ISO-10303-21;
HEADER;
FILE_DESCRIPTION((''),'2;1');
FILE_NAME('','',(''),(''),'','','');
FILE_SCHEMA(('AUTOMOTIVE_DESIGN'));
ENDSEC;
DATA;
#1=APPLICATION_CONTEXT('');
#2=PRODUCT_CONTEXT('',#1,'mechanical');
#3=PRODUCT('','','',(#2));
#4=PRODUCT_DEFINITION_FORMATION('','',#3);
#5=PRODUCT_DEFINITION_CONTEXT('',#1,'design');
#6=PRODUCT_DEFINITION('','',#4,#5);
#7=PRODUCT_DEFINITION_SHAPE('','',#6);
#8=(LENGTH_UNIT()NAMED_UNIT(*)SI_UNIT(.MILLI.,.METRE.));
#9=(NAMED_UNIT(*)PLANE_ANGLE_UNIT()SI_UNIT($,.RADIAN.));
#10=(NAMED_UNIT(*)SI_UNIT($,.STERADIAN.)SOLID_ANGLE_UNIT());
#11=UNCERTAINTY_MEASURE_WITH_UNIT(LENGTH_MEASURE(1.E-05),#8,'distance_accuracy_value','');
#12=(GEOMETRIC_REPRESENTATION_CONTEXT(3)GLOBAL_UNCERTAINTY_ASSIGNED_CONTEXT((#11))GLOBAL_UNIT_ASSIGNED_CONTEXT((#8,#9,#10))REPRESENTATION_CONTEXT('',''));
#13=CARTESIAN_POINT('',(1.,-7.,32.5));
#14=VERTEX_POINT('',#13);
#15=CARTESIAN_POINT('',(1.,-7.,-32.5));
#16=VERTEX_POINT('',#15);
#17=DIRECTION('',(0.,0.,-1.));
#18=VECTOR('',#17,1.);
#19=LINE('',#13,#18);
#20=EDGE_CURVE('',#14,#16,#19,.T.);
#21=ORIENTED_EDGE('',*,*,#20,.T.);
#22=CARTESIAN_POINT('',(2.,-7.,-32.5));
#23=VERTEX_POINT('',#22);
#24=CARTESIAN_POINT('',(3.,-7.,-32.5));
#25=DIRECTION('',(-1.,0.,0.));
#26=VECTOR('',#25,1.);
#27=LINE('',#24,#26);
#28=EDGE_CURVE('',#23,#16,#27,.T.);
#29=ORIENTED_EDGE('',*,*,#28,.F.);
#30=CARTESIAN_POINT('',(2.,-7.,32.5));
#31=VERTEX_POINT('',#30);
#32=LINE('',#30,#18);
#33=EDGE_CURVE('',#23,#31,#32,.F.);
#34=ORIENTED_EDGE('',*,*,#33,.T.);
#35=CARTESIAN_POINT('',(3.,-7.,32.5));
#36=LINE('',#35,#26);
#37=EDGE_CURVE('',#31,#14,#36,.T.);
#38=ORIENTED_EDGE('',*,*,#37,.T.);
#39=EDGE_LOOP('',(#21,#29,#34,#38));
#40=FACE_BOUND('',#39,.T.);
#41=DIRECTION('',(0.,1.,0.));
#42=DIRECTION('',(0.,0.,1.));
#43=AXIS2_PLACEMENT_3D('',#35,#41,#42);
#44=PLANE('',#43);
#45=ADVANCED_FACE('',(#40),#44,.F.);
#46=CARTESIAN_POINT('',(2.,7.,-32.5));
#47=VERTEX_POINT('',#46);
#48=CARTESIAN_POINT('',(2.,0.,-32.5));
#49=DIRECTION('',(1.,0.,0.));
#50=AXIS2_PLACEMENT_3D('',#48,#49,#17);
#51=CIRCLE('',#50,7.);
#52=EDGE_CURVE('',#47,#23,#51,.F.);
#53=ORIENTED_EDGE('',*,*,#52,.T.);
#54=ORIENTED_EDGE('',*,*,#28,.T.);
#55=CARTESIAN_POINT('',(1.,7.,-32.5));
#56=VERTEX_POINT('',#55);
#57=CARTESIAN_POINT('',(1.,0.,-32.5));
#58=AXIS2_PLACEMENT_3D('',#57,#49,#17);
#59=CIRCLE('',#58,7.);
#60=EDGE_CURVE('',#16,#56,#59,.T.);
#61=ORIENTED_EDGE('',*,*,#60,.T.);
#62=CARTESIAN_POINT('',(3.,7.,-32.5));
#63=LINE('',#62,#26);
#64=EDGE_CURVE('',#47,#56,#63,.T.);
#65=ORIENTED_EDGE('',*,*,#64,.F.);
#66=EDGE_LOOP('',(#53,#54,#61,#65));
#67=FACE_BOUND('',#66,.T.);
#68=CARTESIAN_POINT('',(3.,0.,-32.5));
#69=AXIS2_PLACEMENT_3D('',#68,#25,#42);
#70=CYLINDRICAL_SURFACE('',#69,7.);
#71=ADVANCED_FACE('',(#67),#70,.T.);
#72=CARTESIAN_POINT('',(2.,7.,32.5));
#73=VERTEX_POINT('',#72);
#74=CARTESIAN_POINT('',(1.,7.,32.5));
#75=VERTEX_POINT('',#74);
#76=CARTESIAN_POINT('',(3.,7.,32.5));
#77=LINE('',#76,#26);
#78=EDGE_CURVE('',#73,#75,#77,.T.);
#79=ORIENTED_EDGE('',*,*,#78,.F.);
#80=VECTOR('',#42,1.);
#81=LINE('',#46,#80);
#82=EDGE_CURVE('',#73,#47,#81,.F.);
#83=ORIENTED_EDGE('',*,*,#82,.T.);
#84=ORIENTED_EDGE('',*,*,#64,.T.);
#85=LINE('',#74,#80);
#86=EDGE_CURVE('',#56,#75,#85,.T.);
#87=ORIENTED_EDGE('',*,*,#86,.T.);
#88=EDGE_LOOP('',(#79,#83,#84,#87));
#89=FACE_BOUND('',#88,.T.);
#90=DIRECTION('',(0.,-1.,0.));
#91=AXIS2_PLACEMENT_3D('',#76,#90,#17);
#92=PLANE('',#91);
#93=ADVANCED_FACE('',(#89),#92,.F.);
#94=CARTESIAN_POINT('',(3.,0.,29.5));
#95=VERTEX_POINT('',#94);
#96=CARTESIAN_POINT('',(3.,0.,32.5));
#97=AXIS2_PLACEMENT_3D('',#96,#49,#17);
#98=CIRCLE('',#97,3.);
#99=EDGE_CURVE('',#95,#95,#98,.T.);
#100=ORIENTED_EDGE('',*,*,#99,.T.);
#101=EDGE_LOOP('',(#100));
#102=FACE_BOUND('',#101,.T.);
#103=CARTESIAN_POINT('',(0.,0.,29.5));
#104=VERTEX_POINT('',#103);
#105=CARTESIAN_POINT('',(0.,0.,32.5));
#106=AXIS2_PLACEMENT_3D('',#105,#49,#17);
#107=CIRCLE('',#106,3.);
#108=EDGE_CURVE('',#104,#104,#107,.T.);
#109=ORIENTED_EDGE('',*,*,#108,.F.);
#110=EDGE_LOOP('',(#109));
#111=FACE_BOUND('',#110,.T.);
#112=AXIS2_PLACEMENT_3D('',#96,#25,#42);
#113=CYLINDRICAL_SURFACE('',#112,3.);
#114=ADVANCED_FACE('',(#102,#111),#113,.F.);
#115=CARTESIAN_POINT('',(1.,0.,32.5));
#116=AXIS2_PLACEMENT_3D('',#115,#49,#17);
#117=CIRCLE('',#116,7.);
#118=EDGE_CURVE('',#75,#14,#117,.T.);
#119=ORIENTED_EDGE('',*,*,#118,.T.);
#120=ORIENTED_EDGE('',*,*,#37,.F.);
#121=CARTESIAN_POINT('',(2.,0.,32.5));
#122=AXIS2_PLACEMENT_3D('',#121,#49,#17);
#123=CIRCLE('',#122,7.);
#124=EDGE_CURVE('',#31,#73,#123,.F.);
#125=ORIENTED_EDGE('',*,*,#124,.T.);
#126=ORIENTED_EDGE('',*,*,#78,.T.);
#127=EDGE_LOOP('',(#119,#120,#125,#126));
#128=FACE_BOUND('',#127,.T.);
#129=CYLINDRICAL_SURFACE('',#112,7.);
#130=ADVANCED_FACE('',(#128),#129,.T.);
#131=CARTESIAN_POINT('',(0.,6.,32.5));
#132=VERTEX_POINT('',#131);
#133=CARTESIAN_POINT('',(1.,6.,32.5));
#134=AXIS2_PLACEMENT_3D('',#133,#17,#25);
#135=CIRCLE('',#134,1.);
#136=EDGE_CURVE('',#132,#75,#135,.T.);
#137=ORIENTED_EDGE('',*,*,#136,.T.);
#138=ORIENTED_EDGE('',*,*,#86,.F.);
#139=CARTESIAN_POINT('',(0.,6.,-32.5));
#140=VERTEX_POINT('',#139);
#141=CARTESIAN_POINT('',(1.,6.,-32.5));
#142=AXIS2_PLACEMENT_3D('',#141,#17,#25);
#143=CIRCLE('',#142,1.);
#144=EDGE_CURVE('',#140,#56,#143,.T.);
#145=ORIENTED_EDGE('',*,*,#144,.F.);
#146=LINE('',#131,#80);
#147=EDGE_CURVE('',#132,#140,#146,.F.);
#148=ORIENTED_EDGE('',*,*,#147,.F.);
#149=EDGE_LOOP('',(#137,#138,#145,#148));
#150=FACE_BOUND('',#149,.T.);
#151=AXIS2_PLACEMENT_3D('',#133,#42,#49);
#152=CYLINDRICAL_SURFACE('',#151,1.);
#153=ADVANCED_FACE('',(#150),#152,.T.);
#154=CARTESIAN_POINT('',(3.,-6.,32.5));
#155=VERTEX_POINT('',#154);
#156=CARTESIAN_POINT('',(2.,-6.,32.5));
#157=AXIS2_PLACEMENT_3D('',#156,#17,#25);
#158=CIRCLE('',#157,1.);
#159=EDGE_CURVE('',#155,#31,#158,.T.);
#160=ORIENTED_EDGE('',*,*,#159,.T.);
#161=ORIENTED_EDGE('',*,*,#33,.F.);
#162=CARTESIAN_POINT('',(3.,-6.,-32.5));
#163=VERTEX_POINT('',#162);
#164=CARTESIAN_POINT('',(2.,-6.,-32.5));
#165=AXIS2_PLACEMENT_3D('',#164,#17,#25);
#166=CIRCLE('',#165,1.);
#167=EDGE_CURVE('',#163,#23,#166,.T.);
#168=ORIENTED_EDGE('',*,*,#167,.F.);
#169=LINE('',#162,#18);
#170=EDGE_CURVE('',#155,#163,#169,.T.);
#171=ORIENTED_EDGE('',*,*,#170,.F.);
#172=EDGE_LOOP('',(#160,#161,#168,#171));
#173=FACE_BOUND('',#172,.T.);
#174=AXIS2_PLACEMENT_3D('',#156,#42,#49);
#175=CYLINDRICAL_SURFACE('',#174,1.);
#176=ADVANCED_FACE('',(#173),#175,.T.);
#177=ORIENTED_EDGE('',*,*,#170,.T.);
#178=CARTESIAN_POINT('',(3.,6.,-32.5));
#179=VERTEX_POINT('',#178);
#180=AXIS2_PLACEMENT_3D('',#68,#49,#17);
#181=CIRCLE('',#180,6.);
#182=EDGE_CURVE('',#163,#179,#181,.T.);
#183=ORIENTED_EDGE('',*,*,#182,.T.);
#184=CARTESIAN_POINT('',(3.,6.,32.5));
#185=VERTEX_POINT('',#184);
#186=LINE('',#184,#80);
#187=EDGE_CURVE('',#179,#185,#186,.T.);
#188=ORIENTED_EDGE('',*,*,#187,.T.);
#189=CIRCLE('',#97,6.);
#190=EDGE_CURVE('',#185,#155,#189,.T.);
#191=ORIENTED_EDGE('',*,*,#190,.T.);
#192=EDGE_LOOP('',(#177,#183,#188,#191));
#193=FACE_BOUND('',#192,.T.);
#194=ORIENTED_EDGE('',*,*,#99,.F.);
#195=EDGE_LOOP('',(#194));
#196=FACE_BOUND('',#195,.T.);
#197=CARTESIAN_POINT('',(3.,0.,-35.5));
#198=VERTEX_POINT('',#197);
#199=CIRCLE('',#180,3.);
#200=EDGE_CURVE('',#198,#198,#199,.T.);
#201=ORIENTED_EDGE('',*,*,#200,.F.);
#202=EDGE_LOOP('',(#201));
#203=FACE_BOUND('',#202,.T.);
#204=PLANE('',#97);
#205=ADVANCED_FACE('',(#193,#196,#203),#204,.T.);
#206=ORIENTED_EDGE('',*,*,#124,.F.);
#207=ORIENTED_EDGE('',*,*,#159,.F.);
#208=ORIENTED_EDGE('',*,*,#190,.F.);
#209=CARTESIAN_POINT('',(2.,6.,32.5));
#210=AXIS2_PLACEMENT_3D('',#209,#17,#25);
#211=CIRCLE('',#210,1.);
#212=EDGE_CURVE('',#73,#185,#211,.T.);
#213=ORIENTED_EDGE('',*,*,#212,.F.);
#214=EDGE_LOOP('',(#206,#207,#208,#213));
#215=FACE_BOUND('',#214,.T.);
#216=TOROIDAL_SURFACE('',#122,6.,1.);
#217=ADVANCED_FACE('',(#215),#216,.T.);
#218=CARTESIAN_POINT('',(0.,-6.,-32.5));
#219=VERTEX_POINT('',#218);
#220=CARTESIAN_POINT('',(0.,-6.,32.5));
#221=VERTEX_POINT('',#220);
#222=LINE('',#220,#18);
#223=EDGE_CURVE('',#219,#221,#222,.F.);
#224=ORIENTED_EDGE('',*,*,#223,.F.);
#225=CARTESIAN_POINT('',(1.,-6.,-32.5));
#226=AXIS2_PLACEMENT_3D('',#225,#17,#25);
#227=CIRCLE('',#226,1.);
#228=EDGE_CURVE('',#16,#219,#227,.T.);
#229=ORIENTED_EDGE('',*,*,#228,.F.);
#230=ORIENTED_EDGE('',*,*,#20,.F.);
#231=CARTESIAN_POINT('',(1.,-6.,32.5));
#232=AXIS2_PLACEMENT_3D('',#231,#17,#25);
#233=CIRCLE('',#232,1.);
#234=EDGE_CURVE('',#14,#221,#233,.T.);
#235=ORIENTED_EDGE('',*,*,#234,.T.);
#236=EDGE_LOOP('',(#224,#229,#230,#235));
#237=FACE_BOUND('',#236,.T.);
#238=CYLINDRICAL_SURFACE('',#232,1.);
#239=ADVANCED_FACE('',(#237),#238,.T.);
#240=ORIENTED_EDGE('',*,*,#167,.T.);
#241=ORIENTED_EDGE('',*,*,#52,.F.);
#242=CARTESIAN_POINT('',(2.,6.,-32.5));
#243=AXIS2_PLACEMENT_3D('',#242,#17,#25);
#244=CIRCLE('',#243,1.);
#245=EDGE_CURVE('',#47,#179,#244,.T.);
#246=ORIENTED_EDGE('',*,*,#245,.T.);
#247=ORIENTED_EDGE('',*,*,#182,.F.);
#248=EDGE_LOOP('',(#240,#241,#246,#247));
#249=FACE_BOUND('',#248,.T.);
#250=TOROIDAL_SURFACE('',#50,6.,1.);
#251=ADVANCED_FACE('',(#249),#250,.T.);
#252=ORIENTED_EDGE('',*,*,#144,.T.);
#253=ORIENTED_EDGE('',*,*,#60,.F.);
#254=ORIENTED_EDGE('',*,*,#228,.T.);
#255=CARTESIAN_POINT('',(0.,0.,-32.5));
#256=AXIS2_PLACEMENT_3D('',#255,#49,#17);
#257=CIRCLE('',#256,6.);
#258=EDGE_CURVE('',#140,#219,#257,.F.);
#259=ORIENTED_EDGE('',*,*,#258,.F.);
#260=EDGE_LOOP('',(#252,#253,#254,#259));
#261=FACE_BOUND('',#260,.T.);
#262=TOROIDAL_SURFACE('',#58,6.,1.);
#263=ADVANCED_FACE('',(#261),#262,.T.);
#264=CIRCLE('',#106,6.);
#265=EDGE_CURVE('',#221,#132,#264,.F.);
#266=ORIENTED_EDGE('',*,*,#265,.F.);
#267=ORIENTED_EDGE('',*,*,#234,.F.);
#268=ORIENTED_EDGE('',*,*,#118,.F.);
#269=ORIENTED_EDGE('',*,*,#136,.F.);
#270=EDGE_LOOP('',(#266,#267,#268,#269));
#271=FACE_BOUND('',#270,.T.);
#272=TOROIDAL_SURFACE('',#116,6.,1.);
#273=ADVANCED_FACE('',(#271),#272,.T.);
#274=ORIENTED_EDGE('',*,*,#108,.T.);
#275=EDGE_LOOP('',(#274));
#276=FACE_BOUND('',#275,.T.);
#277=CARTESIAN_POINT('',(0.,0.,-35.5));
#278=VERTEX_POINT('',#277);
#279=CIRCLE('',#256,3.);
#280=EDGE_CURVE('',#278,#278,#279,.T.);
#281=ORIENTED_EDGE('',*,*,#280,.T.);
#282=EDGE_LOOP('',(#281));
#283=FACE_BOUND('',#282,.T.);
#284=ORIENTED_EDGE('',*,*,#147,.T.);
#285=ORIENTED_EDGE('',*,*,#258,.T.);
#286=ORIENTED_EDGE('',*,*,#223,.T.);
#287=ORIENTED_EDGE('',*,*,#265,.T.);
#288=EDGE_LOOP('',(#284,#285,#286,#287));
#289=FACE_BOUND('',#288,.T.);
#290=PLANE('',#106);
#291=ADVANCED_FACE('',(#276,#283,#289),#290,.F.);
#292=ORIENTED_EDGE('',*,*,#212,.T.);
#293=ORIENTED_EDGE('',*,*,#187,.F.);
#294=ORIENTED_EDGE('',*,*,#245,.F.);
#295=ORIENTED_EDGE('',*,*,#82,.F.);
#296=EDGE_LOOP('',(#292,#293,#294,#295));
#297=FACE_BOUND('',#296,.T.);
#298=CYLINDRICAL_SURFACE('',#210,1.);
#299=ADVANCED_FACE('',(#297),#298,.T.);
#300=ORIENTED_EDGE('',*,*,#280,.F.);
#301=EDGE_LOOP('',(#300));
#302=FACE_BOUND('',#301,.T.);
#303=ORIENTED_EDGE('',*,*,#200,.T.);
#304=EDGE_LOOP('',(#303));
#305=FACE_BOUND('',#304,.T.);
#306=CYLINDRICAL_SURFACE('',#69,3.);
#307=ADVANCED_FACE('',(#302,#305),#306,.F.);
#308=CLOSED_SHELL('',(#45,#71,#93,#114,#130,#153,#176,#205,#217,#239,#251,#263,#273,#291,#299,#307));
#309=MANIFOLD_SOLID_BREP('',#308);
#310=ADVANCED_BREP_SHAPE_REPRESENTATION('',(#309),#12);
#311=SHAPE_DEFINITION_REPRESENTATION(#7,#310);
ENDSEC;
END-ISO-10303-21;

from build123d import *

# Parameters (mm, degrees)
SKETCH_1_R      = 3
EXTRUDE_1_DEPTH = 3
FILLET_1_R      = 1


with BuildPart() as part:
    # 草图1 → 凸台-拉伸1 (new body)
    with BuildSketch(Plane(origin=(0, 0, 0), x_dir=(0, 0, -1), z_dir=(1, 0, 0))):
        with BuildLine():
            Line((-32.5, 7), (32.5, 7))
            ThreePointArc((32.5, 7), (39.5, 0), (32.5, -7))
            Line((32.5, -7), (-32.5, -7))
            ThreePointArc((-32.5, -7), (-39.5, 0), (-32.5, 7))
        make_face()
        with Locations((-32.5, 0)):
            Circle(SKETCH_1_R, mode=Mode.SUBTRACT)
        with Locations((32.5, 0)):
            Circle(SKETCH_1_R, mode=Mode.SUBTRACT)
    extrude(amount=EXTRUDE_1_DEPTH)

    # 圆角1
    fillet_1_edges = [part.edges().sort_by_distance(p)[0] for p in [
        (3, 0, -39.5),
        (3, 7, 0),
        (3, 0, 39.5),
        (0, 7, 0),
        (0, 0, -39.5),
        (0, -7, 0),
        (0, 0, 39.5),
        (3, -7, 0),
    ]]
    fillet(fillet_1_edges, radius=FILLET_1_R)


solid = part.part
